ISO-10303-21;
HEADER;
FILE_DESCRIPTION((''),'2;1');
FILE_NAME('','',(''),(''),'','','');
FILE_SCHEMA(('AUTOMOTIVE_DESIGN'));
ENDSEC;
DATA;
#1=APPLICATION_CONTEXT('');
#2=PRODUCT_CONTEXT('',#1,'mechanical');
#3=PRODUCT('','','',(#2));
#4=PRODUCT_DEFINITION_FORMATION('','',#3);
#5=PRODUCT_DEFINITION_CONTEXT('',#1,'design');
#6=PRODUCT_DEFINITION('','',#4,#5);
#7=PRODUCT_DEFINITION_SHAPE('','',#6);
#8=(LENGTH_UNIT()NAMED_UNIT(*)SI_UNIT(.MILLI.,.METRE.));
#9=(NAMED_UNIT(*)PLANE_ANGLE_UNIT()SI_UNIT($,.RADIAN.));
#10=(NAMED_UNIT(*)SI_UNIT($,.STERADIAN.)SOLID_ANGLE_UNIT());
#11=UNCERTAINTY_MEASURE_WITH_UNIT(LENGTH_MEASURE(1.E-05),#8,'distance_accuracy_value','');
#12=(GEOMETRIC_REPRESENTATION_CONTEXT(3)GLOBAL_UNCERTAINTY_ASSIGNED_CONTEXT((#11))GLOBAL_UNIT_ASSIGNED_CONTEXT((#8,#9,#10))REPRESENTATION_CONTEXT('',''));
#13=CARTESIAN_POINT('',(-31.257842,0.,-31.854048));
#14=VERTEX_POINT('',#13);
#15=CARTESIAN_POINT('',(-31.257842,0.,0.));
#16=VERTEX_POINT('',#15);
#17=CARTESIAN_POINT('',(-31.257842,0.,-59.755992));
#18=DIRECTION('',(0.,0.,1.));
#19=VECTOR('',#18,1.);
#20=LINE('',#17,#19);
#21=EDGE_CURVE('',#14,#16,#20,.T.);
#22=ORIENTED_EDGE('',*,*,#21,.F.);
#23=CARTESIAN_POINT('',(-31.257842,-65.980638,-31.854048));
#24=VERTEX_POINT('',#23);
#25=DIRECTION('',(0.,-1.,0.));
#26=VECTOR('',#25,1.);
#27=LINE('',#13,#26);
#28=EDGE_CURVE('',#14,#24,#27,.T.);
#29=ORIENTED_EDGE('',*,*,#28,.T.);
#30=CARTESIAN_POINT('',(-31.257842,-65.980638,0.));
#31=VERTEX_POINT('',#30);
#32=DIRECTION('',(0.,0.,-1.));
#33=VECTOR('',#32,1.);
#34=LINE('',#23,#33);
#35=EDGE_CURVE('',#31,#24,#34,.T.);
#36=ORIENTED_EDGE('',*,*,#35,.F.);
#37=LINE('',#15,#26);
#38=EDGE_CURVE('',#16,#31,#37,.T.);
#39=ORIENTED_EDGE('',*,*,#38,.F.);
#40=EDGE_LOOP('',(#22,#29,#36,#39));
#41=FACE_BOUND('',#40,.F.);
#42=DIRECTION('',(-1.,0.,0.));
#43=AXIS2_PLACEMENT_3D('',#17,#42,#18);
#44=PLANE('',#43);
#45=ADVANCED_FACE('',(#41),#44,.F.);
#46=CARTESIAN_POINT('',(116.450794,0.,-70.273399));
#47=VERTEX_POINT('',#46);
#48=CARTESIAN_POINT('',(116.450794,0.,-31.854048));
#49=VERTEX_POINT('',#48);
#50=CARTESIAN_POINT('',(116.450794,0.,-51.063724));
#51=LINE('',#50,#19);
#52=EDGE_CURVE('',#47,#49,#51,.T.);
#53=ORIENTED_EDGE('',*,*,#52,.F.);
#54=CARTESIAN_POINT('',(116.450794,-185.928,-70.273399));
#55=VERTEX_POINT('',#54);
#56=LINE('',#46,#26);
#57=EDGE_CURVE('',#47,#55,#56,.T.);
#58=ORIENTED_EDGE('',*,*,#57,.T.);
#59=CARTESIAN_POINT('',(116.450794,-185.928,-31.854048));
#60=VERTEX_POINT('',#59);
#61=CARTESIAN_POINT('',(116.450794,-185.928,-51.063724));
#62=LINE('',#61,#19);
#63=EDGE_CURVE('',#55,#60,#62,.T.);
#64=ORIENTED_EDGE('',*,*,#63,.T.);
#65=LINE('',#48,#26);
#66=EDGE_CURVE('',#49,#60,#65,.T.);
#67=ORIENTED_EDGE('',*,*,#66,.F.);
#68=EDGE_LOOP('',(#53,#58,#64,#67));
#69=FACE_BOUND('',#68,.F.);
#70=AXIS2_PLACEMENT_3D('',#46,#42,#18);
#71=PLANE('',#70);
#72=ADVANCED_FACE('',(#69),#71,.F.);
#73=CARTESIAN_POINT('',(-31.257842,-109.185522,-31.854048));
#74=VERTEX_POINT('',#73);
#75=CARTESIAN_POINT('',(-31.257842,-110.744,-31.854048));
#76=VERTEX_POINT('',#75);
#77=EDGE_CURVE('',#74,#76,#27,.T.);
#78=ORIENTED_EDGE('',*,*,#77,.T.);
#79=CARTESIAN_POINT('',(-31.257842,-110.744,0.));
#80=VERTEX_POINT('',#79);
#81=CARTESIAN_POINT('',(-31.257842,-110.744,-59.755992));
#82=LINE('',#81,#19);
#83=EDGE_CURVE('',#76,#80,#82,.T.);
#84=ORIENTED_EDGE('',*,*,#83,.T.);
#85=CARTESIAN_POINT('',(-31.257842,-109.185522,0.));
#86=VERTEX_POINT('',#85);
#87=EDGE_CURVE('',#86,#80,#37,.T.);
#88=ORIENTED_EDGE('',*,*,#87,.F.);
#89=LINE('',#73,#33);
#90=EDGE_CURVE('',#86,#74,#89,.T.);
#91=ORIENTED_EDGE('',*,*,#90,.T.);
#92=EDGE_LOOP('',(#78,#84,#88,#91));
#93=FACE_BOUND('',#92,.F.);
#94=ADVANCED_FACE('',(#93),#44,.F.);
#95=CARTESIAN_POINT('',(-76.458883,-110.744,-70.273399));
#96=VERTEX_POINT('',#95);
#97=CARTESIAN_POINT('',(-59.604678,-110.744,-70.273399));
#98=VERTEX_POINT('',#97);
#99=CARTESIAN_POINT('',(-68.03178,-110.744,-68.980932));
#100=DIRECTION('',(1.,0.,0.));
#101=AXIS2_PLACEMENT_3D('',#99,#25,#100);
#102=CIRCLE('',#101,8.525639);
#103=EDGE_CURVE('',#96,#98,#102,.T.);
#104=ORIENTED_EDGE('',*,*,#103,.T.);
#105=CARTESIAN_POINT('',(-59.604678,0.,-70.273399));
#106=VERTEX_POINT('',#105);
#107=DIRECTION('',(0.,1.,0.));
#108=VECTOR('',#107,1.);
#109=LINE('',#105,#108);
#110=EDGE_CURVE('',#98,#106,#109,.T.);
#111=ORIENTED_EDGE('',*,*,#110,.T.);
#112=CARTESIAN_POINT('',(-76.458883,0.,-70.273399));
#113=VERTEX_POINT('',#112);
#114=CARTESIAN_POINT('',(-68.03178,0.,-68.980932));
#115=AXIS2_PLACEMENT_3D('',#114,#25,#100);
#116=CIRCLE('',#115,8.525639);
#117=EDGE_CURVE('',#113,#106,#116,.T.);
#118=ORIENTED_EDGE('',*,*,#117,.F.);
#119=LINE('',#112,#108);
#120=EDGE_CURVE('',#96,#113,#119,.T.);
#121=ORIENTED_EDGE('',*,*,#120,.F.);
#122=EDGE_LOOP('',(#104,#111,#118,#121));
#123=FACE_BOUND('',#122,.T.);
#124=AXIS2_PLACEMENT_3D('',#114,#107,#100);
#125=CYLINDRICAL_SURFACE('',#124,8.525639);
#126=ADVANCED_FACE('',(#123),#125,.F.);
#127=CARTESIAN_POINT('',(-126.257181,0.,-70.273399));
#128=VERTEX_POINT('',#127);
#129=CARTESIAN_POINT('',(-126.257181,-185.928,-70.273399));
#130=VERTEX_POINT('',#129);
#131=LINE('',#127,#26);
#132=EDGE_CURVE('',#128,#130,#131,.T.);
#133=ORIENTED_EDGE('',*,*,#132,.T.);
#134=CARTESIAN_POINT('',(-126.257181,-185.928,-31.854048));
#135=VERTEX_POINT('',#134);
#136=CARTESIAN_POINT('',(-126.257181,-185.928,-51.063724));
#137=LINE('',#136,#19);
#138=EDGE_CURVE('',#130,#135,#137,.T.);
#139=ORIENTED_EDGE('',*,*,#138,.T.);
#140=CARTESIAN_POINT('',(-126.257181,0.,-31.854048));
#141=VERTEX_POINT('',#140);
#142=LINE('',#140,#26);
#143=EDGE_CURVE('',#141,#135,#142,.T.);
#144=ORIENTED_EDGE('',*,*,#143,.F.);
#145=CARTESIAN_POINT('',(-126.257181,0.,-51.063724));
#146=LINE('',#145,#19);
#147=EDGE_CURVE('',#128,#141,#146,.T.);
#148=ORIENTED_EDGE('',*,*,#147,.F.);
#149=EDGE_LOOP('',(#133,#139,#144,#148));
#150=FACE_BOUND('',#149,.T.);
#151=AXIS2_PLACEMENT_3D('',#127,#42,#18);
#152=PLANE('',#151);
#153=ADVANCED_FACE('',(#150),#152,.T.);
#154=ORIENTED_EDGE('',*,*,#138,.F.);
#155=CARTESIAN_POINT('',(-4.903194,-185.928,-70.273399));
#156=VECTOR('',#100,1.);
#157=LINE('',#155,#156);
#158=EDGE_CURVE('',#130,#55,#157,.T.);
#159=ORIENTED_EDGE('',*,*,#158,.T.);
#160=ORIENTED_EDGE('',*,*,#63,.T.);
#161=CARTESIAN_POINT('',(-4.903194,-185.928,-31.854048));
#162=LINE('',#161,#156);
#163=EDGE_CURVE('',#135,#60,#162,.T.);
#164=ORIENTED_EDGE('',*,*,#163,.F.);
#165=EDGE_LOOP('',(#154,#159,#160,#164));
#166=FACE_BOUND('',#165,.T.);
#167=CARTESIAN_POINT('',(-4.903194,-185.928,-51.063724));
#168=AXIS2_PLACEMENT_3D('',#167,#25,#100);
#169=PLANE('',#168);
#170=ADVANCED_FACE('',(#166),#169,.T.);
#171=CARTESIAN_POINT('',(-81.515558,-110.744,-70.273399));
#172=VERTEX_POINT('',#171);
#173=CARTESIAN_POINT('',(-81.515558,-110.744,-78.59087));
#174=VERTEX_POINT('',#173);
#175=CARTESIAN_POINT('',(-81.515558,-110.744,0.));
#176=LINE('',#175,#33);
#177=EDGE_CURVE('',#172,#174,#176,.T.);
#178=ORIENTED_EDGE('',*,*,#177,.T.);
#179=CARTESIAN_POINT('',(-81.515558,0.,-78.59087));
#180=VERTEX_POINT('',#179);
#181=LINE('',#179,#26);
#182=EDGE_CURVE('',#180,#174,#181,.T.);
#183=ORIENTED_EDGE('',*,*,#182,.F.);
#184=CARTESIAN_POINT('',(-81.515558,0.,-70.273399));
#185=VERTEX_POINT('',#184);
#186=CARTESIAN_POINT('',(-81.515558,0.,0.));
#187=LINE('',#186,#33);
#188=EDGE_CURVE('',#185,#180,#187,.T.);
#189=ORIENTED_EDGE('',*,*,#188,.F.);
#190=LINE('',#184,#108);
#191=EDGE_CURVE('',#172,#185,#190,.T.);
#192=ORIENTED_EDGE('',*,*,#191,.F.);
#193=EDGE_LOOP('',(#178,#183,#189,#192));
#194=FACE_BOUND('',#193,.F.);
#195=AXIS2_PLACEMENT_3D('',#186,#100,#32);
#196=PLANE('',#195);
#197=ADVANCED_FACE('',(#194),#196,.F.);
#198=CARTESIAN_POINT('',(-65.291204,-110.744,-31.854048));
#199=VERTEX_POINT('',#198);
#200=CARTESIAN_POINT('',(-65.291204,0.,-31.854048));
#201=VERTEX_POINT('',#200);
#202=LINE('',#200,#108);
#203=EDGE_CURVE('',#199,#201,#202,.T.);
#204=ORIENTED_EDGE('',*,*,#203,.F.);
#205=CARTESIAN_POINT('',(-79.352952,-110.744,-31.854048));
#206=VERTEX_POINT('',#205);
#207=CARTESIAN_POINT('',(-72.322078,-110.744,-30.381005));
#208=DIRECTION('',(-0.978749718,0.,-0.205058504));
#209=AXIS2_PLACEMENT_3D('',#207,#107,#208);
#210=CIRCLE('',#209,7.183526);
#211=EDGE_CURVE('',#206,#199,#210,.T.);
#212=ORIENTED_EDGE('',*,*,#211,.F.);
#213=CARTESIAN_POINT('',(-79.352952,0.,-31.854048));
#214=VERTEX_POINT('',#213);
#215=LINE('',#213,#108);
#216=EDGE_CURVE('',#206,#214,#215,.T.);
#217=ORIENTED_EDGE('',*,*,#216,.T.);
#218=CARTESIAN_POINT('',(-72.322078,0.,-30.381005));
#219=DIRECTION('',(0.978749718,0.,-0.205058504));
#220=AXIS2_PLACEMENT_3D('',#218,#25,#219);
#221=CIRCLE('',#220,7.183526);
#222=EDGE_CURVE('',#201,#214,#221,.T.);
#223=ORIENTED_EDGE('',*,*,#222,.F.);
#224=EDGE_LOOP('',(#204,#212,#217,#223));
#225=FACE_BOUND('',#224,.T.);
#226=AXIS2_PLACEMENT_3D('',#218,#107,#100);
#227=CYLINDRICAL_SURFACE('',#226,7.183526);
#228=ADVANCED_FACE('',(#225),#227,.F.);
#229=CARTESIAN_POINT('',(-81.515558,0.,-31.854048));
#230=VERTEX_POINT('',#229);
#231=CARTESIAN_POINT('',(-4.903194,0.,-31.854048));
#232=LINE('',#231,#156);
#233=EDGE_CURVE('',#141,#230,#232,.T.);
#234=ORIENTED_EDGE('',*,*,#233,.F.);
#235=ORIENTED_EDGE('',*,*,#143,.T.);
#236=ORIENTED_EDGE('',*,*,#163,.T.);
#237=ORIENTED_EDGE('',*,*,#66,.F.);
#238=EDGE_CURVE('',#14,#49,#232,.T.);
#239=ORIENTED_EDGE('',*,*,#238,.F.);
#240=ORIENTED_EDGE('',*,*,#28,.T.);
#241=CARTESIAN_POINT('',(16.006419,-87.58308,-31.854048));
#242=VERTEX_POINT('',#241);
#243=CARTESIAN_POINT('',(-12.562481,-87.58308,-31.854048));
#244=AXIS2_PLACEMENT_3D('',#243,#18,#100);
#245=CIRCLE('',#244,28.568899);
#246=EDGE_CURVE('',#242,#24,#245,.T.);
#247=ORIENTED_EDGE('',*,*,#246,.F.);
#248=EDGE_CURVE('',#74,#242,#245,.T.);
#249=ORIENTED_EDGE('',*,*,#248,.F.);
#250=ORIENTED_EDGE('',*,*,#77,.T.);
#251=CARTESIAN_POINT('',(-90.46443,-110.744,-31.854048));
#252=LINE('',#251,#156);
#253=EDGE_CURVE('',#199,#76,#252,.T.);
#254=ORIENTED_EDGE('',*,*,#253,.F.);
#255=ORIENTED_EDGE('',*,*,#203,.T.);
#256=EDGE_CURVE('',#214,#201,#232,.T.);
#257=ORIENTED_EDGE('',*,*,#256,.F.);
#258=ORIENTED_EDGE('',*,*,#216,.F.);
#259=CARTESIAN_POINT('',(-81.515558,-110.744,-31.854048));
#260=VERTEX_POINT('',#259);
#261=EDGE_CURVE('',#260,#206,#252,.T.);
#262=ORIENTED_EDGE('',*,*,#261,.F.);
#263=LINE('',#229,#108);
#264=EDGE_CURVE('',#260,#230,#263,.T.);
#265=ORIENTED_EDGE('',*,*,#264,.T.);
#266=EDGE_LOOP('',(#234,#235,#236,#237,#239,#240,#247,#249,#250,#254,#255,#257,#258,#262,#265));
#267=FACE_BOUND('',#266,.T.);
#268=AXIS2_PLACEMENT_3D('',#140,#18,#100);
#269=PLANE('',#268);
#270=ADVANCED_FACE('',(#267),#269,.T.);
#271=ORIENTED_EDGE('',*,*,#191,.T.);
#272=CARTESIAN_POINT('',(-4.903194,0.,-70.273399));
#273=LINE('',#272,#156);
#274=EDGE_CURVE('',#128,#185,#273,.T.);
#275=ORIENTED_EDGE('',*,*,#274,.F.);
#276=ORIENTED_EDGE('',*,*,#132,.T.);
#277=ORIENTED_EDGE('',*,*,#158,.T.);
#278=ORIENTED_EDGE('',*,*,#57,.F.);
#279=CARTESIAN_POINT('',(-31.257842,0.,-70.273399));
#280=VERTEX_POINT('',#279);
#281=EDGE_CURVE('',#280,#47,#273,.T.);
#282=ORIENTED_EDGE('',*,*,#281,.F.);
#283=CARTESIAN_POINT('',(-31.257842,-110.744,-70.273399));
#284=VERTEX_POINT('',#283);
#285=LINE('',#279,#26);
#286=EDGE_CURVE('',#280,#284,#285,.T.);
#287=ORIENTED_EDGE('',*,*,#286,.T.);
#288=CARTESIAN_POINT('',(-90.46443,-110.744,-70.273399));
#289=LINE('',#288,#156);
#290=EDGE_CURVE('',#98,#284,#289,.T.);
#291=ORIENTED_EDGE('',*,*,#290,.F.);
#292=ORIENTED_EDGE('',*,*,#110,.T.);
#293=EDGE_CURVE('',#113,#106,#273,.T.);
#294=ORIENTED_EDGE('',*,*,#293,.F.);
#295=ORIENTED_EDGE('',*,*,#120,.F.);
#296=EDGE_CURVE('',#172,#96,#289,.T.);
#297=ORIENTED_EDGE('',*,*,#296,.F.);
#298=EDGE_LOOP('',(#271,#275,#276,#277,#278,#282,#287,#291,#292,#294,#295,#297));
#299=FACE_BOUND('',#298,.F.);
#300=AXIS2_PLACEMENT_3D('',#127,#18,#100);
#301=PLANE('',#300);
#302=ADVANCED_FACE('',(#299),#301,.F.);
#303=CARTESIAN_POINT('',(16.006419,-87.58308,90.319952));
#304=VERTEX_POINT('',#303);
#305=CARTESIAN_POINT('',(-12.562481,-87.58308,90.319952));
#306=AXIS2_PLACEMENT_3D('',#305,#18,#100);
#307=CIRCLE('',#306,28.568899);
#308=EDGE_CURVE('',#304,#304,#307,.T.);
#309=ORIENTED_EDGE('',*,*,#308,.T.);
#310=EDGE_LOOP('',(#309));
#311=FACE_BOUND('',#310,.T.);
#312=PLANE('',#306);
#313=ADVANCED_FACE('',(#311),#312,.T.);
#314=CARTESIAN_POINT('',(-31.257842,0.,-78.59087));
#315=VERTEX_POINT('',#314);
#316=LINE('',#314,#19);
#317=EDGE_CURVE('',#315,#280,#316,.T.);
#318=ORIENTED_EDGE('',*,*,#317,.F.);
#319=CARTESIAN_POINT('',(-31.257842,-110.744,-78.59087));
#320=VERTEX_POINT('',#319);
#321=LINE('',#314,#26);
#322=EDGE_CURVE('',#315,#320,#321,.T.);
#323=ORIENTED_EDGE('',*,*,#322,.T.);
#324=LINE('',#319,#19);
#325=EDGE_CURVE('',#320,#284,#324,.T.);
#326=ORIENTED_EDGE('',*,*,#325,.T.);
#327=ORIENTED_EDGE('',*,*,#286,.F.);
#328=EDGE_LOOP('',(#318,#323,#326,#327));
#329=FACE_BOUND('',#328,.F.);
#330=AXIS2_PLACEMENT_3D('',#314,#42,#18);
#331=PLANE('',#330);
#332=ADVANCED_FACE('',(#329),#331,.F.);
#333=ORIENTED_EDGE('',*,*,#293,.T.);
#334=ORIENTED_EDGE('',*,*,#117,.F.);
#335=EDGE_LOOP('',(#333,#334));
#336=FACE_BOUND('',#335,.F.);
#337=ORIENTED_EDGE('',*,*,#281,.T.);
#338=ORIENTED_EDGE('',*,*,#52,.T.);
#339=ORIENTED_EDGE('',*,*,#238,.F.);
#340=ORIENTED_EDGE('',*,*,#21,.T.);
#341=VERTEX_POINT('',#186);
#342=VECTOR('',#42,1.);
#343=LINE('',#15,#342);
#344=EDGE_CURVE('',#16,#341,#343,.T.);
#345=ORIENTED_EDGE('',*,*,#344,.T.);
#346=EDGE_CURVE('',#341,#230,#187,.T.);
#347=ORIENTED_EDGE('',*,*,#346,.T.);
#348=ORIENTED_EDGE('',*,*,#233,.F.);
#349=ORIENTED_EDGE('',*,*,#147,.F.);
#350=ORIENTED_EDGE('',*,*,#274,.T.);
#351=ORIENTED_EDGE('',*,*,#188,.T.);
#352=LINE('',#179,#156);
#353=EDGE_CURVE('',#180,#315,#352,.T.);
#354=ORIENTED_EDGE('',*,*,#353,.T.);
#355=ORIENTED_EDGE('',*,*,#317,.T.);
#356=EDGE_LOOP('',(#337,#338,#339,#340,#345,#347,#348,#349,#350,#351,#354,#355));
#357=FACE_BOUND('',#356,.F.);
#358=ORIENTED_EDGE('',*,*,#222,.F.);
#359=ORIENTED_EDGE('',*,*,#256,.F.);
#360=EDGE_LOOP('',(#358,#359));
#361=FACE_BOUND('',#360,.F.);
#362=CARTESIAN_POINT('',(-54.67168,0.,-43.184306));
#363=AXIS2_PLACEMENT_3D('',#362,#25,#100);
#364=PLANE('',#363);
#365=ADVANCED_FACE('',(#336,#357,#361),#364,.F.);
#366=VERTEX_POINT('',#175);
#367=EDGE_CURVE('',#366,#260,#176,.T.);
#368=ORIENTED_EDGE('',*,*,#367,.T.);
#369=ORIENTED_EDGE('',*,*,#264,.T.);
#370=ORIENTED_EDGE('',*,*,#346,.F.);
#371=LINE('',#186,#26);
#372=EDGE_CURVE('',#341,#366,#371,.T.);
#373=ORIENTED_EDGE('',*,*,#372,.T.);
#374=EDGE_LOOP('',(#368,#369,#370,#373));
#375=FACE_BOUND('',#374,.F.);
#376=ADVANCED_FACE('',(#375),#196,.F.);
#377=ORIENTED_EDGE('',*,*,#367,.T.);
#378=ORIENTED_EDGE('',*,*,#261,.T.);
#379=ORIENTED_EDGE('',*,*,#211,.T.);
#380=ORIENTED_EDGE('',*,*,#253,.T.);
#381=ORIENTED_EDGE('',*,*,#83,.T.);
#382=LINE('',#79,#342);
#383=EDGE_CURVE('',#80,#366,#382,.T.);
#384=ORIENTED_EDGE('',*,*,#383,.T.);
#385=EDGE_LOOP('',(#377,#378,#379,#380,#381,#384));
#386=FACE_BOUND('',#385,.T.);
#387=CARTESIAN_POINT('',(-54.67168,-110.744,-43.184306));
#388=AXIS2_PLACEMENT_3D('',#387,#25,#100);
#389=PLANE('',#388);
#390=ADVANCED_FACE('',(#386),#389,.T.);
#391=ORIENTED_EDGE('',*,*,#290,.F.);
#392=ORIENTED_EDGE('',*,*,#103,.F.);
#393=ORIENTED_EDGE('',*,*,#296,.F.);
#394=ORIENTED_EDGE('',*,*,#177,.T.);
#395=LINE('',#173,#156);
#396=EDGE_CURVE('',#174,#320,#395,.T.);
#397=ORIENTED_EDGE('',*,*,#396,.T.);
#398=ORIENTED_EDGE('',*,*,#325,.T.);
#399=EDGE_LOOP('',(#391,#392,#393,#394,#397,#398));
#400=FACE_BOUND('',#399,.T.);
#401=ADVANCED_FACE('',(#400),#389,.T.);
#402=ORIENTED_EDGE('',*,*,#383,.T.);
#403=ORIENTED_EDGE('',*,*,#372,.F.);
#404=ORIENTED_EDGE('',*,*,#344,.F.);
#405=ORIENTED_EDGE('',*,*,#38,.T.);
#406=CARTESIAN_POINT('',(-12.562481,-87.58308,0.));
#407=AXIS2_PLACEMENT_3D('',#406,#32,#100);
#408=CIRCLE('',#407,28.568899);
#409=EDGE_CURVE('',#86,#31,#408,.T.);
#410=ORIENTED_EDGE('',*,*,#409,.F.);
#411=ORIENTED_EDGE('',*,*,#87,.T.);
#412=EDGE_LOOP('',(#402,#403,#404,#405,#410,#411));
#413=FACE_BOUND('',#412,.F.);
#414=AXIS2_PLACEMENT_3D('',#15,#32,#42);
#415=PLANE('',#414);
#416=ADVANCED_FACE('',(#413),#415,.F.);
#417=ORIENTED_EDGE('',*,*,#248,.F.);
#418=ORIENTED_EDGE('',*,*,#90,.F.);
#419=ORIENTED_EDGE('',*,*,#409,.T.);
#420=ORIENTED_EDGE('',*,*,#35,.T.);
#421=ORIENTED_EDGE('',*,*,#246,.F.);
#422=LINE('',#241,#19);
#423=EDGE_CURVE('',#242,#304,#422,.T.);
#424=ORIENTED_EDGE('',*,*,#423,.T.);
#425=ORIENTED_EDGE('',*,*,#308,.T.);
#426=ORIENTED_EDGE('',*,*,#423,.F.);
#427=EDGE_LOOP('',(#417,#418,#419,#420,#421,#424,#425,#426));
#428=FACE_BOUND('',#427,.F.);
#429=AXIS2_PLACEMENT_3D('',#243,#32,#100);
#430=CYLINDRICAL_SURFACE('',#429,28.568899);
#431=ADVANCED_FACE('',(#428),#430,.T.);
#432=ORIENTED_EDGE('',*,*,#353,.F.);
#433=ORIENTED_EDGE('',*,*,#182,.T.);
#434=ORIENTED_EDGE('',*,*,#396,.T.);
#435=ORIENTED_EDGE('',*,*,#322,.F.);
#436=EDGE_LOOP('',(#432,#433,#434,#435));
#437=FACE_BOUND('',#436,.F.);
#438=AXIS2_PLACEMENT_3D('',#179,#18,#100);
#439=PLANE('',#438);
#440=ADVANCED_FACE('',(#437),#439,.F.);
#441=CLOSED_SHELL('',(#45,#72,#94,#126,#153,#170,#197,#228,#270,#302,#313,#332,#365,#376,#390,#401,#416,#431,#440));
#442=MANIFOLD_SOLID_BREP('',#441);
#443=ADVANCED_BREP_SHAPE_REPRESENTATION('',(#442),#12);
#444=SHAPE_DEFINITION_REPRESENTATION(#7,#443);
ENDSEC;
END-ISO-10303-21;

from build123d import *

# Parameters (mm, degrees)
F0_W     = 242.7079752088
F0_H     = 38.4193509817
F1_DEPTH = 185.928
F2_R     = 28.5688993419
F3_DEPTH = 122.174
F4_R     = 8.5256392181
F4_R_2   = 7.1835260989
F4_R_3   = 5.0238918194
F5_DEPTH = 110.744


with BuildPart() as f1:
    # F0 (on Front) → F1 (new body)
    with BuildSketch(Plane.XZ):
        with Locations((-4.9031935632, -51.0637238622)):
            Rectangle(F0_W, F0_H)
    extrude(amount=F1_DEPTH)

    # F2 (on face) → F3 (join)
    with BuildSketch(Plane.XY.offset(-31.8540483713)):
        with Locations((-12.5624807552, -87.5830799341)):
            Circle(F2_R)
    extrude(amount=F3_DEPTH)

    # F4 (on Front) → F5 (join)
    with BuildSketch(Plane.XZ):
        with BuildLine():
            Line((-31.2578417361, 0), (-81.515558064, 0))
            Line((-81.515558064, 0), (-81.515558064, -78.5908699036))
            Line((-81.515558064, -78.5908699036), (-31.2578417361, -78.5908699036))
            Line((-31.2578417361, -78.5908699036), (-31.2578417361, -68.2470542583))
            ThreePointArc((-31.2578417361, -68.2470542583), (-54.1109280597, -64.0015229583), (-31.2578417361, -59.7559916582))
            Line((-31.2578417361, -59.7559916582), (-31.2578417361, 0))
        make_face()
        with Locations((-68.0317804217, -68.9809322357)):
            Circle(F4_R, mode=Mode.SUBTRACT)
        with Locations((-72.3220780492, -30.3810052574)):
            Circle(F4_R_2, mode=Mode.SUBTRACT)
        with Locations((-47.1932142973, -37.2236035764)):
            Circle(F4_R_3, mode=Mode.SUBTRACT)
        with BuildLine():
            ThreePointArc((-30.4691283096, -64.0015229583), (-30.6679791986, -61.8424372207), (-31.2578417361, -59.7559916582))
            Line((-31.2578417361, -59.7559916582), (-31.2578417361, -68.2470542583))
            ThreePointArc((-31.2578417361, -68.2470542583), (-30.6679791986, -66.1606086959), (-30.4691283096, -64.0015229583))
        make_face()
        with BuildLine():
            Line((-31.2578417361, -68.2470542583), (-31.2578417361, -59.7559916582))
            ThreePointArc((-31.2578417361, -59.7559916582), (-54.1109280597, -64.0015229583), (-31.2578417361, -68.2470542583))
        make_face()
    extrude(amount=F5_DEPTH)


solid = f1.part
